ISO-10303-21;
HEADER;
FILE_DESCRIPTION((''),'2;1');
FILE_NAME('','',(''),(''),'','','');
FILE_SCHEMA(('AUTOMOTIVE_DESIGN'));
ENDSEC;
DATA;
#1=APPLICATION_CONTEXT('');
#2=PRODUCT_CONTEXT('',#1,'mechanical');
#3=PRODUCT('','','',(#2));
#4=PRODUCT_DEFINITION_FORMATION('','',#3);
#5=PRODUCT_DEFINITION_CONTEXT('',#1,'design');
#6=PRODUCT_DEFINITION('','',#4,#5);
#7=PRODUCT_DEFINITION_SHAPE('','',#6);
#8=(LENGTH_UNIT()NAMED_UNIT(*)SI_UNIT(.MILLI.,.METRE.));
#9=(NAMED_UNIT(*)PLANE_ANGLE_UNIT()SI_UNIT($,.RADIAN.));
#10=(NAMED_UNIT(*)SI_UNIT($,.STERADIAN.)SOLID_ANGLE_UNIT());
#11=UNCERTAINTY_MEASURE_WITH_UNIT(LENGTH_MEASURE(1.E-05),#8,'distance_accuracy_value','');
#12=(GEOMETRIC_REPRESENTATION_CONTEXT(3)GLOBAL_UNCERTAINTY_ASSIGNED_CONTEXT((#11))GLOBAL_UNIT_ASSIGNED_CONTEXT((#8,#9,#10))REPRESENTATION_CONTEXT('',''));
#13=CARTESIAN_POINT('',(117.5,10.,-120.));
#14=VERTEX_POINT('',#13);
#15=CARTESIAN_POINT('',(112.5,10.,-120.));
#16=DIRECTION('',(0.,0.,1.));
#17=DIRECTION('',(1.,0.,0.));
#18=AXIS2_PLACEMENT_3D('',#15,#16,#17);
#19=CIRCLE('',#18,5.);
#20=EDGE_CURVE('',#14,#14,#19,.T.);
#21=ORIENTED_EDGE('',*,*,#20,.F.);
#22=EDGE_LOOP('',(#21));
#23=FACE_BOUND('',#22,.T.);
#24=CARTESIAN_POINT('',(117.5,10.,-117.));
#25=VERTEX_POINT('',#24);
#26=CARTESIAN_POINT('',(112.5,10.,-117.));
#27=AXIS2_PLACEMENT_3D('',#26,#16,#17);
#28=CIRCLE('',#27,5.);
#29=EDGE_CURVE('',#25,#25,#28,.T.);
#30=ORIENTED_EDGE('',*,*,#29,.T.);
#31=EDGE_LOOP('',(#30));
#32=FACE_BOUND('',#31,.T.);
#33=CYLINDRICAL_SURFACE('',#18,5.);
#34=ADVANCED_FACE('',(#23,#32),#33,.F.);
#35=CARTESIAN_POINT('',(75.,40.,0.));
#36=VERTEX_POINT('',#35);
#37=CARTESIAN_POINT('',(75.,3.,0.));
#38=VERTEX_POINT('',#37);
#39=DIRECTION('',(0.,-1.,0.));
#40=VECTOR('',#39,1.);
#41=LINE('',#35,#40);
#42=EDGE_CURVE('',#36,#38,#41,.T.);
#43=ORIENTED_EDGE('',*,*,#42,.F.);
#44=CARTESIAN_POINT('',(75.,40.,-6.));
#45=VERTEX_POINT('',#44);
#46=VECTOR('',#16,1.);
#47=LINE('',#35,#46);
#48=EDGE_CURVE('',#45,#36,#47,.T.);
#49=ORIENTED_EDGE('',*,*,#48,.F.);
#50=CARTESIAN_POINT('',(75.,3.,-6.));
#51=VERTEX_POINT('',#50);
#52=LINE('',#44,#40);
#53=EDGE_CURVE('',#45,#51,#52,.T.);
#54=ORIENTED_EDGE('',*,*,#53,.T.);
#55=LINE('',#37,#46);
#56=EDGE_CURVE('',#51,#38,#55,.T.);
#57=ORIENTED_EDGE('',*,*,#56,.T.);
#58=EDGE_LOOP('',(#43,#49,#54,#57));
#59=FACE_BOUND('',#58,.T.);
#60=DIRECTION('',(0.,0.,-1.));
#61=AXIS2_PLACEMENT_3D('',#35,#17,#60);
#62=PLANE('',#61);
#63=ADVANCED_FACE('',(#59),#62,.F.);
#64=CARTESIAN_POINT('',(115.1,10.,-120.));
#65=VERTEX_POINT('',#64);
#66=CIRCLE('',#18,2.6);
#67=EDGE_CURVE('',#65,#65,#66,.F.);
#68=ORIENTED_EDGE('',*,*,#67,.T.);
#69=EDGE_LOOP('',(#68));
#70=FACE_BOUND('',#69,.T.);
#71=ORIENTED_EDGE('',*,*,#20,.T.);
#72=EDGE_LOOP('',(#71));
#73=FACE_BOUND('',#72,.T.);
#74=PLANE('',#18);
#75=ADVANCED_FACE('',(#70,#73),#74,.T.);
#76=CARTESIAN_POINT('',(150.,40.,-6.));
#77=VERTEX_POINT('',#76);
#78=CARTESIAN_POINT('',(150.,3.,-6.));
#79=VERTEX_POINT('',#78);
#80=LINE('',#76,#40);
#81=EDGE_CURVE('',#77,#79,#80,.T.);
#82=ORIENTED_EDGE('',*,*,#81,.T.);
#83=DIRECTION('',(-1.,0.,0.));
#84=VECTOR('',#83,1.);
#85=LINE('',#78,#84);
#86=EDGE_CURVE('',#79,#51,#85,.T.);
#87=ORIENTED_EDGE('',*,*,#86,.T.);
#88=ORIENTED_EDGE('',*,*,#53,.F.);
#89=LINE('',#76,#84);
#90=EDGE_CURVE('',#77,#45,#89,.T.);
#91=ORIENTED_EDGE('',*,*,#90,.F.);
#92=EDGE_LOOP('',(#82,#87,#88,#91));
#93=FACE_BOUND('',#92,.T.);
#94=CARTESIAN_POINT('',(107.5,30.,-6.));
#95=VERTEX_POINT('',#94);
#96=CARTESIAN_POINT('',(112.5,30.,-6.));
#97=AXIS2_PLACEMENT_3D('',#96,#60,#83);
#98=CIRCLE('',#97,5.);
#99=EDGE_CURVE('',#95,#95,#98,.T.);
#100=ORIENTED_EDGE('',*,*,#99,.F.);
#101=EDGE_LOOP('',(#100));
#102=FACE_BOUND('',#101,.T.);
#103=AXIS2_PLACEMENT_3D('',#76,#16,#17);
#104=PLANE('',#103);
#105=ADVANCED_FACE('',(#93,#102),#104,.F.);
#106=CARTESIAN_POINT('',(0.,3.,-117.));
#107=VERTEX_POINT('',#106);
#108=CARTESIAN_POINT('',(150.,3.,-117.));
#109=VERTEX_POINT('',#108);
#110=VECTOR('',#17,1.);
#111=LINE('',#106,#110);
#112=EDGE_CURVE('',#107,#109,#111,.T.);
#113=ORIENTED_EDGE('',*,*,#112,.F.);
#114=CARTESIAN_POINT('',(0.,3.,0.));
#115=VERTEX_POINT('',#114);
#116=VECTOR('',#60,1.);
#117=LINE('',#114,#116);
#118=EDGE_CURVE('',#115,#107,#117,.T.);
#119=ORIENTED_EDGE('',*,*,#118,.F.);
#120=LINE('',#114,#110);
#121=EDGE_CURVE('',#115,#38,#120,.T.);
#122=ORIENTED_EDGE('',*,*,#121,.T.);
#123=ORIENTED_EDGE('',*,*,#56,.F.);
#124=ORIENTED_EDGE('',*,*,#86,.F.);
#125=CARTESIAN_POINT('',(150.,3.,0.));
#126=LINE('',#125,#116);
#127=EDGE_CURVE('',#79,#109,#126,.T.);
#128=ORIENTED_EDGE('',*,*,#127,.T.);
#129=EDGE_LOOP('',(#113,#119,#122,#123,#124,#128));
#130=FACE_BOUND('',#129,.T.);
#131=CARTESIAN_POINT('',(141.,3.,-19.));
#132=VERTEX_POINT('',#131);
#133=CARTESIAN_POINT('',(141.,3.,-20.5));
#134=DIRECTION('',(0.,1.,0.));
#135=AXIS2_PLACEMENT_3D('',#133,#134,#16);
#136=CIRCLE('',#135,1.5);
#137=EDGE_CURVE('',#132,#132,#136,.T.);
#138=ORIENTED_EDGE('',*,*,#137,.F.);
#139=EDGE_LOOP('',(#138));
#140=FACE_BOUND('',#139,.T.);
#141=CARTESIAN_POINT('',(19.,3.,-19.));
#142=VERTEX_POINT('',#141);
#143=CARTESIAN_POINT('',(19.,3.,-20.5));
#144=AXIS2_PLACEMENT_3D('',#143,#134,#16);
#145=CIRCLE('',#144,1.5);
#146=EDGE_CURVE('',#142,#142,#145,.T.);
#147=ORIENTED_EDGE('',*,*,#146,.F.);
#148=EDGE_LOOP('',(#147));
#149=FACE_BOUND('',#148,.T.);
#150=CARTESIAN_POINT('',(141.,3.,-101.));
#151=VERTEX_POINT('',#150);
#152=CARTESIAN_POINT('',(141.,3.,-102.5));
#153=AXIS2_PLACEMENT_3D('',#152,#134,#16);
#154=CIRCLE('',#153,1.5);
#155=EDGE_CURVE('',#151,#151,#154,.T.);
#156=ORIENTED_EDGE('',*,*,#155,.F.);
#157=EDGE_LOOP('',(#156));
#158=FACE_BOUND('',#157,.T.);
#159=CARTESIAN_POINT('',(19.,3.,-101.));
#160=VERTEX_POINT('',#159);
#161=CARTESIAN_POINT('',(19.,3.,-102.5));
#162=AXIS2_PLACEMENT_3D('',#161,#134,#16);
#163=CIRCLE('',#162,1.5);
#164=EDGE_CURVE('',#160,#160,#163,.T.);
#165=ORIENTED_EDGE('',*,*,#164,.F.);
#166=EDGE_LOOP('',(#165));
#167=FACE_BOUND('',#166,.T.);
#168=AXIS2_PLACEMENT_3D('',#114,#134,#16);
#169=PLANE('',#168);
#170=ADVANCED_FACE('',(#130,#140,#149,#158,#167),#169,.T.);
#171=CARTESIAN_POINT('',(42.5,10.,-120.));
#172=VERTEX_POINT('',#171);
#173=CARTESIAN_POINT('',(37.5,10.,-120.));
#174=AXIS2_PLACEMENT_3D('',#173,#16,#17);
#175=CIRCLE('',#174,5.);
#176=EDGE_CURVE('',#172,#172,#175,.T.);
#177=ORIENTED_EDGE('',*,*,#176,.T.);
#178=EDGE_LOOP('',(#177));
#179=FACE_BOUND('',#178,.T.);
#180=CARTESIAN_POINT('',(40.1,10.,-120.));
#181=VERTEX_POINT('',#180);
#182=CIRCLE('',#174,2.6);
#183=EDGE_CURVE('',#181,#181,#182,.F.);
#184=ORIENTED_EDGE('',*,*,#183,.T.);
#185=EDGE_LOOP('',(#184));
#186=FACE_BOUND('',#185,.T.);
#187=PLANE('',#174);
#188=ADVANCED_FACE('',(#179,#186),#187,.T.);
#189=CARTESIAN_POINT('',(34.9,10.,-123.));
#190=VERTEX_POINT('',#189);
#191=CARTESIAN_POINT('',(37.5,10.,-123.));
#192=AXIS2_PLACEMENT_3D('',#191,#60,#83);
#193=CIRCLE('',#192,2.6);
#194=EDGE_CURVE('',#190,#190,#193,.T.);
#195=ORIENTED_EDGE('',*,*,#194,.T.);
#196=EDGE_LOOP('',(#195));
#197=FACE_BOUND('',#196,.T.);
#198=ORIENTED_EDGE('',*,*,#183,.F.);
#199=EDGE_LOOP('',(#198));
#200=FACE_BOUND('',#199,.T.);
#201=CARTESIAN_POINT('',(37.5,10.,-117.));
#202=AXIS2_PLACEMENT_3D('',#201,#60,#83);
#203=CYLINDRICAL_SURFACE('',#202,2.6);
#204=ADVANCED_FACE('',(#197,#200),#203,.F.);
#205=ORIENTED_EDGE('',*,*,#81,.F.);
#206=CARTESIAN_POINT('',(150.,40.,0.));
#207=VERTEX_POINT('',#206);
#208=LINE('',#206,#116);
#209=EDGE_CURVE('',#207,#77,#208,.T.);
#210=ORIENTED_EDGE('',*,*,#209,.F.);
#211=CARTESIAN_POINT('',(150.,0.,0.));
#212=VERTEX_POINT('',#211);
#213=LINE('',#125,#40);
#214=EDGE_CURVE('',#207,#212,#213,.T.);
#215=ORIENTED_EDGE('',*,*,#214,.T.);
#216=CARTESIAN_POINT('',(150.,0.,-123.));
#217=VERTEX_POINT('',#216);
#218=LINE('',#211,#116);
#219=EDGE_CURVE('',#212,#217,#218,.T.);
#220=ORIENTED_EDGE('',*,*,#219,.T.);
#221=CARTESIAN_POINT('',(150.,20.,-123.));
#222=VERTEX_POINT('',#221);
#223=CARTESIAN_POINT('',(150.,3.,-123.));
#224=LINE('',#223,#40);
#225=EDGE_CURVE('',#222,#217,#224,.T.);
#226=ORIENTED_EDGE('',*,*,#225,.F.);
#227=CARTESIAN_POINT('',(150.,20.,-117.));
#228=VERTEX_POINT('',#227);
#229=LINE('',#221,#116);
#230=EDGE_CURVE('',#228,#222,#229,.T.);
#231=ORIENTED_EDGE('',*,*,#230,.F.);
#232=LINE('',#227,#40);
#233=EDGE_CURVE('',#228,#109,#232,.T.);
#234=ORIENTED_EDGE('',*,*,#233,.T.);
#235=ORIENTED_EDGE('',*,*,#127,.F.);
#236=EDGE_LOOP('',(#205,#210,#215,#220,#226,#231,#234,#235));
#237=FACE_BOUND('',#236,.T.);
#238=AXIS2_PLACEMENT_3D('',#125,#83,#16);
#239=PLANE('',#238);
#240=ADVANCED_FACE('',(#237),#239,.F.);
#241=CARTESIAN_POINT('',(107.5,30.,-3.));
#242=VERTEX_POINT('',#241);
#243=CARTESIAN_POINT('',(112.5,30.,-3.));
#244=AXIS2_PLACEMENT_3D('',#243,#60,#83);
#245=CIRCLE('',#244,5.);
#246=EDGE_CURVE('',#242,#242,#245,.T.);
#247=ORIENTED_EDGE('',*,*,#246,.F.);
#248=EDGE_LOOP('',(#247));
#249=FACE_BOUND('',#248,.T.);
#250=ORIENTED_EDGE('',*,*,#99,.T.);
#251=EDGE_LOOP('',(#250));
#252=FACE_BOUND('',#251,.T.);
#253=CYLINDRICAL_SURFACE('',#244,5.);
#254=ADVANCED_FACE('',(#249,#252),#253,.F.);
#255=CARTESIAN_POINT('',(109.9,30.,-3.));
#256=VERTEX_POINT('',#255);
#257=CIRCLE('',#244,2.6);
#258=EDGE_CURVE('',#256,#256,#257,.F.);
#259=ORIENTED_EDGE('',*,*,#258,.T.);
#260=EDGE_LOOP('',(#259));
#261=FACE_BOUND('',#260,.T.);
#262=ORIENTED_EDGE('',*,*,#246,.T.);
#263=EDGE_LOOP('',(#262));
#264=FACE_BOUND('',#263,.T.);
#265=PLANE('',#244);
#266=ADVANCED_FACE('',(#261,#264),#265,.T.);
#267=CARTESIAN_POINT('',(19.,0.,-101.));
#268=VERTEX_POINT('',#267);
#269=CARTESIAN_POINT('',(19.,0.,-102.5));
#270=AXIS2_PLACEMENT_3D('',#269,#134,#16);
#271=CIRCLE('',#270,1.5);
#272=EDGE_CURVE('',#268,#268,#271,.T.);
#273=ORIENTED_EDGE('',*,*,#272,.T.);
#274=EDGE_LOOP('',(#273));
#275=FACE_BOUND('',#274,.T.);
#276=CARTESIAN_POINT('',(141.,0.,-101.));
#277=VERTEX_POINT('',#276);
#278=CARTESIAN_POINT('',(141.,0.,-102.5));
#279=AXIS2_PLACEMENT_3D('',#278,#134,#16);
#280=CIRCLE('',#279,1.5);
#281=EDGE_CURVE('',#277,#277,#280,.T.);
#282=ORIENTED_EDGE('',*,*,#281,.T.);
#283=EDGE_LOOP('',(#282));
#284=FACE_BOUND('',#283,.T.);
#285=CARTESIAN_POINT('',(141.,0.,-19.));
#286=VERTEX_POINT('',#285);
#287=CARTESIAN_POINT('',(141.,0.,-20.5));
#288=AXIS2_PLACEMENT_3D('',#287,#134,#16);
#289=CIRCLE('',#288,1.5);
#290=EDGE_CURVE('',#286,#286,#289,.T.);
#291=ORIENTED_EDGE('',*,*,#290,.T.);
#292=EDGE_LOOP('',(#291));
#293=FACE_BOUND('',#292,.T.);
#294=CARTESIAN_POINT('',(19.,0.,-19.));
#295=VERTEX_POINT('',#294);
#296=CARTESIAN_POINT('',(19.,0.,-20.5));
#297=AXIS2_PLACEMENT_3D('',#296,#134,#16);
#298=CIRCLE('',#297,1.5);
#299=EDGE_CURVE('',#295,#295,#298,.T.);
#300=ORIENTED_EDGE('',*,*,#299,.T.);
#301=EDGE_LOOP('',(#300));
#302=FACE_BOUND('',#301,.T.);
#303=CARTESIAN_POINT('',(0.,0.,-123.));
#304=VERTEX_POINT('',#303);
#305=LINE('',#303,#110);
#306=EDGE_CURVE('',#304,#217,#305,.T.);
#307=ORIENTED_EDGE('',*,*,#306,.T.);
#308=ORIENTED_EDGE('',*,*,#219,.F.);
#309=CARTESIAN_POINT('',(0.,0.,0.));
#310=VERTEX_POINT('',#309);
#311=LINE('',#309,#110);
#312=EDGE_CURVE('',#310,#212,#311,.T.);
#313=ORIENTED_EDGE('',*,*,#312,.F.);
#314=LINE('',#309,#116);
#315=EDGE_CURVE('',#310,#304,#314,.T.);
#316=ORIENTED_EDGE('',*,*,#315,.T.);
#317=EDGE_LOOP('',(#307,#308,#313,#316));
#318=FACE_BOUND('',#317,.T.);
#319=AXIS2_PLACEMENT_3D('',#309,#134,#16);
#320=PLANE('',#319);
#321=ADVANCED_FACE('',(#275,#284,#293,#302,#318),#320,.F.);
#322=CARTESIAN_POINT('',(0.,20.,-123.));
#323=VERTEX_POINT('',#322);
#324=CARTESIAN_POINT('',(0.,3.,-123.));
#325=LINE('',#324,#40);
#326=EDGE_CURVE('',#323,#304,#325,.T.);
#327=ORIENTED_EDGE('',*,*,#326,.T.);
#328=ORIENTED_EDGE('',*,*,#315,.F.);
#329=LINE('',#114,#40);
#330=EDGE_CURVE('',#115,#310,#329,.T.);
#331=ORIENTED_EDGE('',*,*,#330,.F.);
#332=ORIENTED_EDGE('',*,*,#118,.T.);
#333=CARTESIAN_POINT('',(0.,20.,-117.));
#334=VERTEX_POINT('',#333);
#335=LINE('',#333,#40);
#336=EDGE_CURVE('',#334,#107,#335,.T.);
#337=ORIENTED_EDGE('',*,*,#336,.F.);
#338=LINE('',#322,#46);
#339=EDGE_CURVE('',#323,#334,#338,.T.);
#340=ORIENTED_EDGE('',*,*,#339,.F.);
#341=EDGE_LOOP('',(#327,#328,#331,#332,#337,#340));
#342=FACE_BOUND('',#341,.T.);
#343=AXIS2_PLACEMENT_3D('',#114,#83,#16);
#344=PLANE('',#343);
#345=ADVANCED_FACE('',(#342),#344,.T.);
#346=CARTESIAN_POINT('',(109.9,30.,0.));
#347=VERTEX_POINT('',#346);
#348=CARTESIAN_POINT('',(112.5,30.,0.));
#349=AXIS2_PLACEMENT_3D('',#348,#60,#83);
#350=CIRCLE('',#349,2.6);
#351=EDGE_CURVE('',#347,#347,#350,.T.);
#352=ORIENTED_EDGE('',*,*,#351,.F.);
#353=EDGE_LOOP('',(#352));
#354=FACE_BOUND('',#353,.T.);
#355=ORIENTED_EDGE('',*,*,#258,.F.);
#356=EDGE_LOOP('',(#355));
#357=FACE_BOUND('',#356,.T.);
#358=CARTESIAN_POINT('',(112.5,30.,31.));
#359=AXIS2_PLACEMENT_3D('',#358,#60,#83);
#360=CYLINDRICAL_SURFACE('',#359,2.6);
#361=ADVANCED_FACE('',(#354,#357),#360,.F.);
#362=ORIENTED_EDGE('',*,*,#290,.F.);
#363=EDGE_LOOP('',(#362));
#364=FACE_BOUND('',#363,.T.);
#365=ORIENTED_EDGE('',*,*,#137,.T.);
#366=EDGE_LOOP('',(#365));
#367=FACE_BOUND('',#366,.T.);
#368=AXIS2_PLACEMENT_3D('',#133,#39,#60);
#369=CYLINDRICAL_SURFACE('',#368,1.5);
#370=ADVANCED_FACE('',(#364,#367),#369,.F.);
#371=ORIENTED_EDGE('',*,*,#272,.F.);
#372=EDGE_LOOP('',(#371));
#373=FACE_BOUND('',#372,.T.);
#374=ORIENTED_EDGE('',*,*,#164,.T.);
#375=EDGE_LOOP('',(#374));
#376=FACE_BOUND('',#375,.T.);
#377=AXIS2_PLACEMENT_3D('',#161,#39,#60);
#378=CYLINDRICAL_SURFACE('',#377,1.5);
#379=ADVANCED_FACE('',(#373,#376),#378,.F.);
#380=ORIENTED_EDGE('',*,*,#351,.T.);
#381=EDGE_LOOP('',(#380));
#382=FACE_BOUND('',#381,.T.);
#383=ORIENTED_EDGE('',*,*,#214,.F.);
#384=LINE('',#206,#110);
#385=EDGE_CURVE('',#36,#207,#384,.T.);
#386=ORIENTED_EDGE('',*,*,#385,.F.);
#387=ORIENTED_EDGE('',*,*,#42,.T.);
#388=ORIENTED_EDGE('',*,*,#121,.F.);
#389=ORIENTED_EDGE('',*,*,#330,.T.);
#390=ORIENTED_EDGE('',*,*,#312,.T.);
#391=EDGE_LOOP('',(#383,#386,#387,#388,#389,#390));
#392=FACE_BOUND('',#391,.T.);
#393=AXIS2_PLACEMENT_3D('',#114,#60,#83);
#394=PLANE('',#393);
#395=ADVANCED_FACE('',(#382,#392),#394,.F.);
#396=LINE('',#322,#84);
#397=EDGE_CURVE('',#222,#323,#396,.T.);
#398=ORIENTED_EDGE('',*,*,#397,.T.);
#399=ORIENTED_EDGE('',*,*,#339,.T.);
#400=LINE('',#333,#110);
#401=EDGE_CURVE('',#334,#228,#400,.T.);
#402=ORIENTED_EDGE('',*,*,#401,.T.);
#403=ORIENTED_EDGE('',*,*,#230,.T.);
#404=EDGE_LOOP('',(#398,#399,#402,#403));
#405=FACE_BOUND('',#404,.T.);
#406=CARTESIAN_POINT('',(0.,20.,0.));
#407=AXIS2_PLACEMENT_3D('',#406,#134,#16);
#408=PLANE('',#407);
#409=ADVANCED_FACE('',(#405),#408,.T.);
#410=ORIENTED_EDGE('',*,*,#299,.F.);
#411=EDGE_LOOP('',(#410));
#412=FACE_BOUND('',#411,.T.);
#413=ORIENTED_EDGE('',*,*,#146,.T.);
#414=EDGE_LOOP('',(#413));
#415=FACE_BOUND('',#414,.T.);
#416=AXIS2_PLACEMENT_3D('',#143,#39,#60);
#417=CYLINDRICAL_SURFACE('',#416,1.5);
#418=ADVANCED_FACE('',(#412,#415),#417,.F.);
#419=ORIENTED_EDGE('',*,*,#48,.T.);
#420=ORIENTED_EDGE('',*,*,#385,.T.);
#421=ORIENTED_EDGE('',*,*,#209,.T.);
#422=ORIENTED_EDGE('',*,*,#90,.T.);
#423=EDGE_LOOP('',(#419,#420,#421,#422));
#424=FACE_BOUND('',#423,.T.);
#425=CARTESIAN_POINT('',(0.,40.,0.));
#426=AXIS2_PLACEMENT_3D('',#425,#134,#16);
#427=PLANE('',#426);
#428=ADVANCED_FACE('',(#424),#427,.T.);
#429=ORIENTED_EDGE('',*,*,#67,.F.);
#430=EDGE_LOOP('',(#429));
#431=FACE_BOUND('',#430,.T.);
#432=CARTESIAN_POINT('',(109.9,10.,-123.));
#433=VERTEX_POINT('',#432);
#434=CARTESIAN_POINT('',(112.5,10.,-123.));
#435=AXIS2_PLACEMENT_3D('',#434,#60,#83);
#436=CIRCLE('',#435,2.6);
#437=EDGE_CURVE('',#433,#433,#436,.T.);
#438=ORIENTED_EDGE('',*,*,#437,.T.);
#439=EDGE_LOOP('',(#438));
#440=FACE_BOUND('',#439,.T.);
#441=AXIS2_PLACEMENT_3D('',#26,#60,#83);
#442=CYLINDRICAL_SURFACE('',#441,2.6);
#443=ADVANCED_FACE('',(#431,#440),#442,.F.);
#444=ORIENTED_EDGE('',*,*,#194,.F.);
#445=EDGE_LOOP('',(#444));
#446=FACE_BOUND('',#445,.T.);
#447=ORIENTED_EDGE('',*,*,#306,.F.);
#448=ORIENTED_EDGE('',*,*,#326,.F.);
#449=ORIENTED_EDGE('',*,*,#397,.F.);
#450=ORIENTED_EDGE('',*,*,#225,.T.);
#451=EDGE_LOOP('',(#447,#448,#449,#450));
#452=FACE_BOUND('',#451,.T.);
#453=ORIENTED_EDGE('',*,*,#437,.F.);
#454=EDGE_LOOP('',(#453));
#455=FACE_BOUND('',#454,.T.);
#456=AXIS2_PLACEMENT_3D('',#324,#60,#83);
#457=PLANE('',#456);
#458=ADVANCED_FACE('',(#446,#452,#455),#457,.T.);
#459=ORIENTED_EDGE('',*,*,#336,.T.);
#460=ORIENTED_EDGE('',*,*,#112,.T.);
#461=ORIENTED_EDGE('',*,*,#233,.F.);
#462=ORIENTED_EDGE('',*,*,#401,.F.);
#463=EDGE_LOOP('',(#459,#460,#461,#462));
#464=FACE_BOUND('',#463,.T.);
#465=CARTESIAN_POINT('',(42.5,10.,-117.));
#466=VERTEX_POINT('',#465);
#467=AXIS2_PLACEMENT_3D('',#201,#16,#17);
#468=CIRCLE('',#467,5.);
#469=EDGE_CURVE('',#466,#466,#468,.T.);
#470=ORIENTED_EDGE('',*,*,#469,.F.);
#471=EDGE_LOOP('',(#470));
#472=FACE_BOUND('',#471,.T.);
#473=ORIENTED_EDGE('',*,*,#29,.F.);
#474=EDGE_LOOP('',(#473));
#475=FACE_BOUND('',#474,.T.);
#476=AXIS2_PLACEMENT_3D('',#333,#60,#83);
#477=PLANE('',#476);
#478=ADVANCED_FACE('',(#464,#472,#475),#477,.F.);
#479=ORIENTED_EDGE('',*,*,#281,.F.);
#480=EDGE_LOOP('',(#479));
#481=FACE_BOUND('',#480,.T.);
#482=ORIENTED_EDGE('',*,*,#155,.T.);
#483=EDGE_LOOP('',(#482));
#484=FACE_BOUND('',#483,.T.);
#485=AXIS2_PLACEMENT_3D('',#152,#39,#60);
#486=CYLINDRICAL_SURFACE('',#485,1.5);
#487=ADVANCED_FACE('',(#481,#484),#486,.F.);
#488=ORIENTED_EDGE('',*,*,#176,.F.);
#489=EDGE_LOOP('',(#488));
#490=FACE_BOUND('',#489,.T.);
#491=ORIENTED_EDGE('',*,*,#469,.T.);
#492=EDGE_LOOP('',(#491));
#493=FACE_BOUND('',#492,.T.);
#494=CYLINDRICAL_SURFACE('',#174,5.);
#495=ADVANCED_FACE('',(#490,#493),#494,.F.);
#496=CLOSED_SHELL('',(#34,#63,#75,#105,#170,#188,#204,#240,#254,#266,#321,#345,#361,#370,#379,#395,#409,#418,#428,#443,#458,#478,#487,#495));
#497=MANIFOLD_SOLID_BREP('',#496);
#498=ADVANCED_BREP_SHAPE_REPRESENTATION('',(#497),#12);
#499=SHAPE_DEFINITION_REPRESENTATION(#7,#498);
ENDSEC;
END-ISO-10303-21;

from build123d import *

# Parameters (mm, degrees)
SKETCH_1_W          = 150
SKETCH_1_H          = 123
SKETCH_1_R          = 1.5
EXTRUDE_1_DEPTH     = 3
SKETCH_2_W          = 150
SKETCH_2_H          = 6
EXTRUDE_2_DEPTH     = 17
SKETCH_3_W          = 75
SKETCH_3_H          = 6
EXTRUDE_3_DEPTH     = 37
CUT_EXTRUDE_1_DEPTH = 37
SKETCH_5_R          = 5
CUT_EXTRUDE_2_DEPTH = 3
CUT_EXTRUDE_3_DEPTH = 6
SKETCH_7_R          = 5
CUT_EXTRUDE_4_DEPTH = 3


with BuildPart() as part:
    # 草图1 → 凸台-拉伸1 (new body)
    with BuildSketch(Plane(origin=(0, 0, 0), x_dir=(1, 0, 0), z_dir=(0, 1, 0))):
        with Locations((75, 61.5)):
            Rectangle(SKETCH_1_W, SKETCH_1_H)
        with Locations(Location((19, 102.5, 0), (0, 0, 270))):
            Circle(SKETCH_1_R, mode=Mode.SUBTRACT)
        with Locations(Location((19, 20.5, 0), (0, 0, 270))):
            Circle(SKETCH_1_R, mode=Mode.SUBTRACT)
        with Locations(Location((141, 20.5, 0), (0, 0, 270))):
            Circle(SKETCH_1_R, mode=Mode.SUBTRACT)
        with Locations(Location((141, 102.5, 0), (0, 0, 270))):
            Circle(SKETCH_1_R, mode=Mode.SUBTRACT)
    extrude(amount=EXTRUDE_1_DEPTH)

    # 草图2 → 凸台-拉伸2 (add)
    with BuildSketch(Plane(origin=(0, 3, 0), x_dir=(1, 0, 0), z_dir=(0, 1, 0))):
        with Locations((75, 120)):
            Rectangle(SKETCH_2_W, SKETCH_2_H)
    extrude(amount=EXTRUDE_2_DEPTH)

    # 草图3 → 凸台-拉伸3 (add)
    with BuildSketch(Plane(origin=(0, 3, 0), x_dir=(1, 0, 0), z_dir=(0, 1, 0))):
        with Locations((112.5, 3)):
            Rectangle(SKETCH_3_W, SKETCH_3_H)
    extrude(amount=EXTRUDE_3_DEPTH)

    # 草图4 → 切除-拉伸1 (cut)
    with BuildSketch(Plane(origin=(0, 0, -6), x_dir=(-1, 0, 0), z_dir=(0, 0, -1))):
        with BuildLine():
            ThreePointArc((-109.987789157, 30.669922891), (-113.169922891, 32.512210843), (-115.012210843, 29.330077109))
            Line((-115.012210843, 29.330077109), (-109.987789157, 30.669922891))
        make_face()
        with BuildLine():
            Line((-109.987789157, 30.669922891), (-115.012210843, 29.330077109))
            ThreePointArc((-115.012210843, 29.330077109), (-112.162174743, 27.422040711), (-109.9, 30))
            ThreePointArc((-109.9, 30), (-109.922040711, 30.337825257), (-109.987789157, 30.669922891))
        make_face()
    extrude(amount=-CUT_EXTRUDE_1_DEPTH, mode=Mode.SUBTRACT)

    # 草图5 → 切除-拉伸2 (cut)
    with BuildSketch(Plane(origin=(0, 0, -6), x_dir=(-1, 0, 0), z_dir=(0, 0, -1))):
        with Locations((-112.5, 30)):
            Circle(SKETCH_5_R)
    extrude(amount=-CUT_EXTRUDE_2_DEPTH, mode=Mode.SUBTRACT)

    # 草图6 → 切除-拉伸3 (cut)
    with BuildSketch(Plane(origin=(0, 0, -123), x_dir=(-1, 0, 0), z_dir=(0, 0, -1))):
        with BuildLine():
            ThreePointArc((-115.1, 10), (-112.5, 7.4), (-109.9, 10))
            Line((-109.9, 10), (-115.1, 10))
        make_face()
        with BuildLine():
            Line((-115.1, 10), (-109.9, 10))
            ThreePointArc((-109.9, 10), (-112.5, 12.6), (-115.1, 10))
        make_face()
        with BuildLine():
            ThreePointArc((-34.9, 10), (-37.5, 12.6), (-40.1, 10))
            Line((-40.1, 10), (-34.9, 10))
        make_face()
        with BuildLine():
            Line((-34.9, 10), (-40.1, 10))
            ThreePointArc((-40.1, 10), (-37.5, 7.4), (-34.9, 10))
        make_face()
    extrude(amount=-CUT_EXTRUDE_3_DEPTH, mode=Mode.SUBTRACT)

    # 草图7 → 切除-拉伸4 (cut)
    with BuildSketch(Plane.XY.offset(-117)):
        with Locations((37.5, 10)):
            Circle(SKETCH_7_R)
        with Locations((112.5, 10)):
            Circle(SKETCH_7_R)
    extrude(amount=-CUT_EXTRUDE_4_DEPTH, mode=Mode.SUBTRACT)


solid = part.part
